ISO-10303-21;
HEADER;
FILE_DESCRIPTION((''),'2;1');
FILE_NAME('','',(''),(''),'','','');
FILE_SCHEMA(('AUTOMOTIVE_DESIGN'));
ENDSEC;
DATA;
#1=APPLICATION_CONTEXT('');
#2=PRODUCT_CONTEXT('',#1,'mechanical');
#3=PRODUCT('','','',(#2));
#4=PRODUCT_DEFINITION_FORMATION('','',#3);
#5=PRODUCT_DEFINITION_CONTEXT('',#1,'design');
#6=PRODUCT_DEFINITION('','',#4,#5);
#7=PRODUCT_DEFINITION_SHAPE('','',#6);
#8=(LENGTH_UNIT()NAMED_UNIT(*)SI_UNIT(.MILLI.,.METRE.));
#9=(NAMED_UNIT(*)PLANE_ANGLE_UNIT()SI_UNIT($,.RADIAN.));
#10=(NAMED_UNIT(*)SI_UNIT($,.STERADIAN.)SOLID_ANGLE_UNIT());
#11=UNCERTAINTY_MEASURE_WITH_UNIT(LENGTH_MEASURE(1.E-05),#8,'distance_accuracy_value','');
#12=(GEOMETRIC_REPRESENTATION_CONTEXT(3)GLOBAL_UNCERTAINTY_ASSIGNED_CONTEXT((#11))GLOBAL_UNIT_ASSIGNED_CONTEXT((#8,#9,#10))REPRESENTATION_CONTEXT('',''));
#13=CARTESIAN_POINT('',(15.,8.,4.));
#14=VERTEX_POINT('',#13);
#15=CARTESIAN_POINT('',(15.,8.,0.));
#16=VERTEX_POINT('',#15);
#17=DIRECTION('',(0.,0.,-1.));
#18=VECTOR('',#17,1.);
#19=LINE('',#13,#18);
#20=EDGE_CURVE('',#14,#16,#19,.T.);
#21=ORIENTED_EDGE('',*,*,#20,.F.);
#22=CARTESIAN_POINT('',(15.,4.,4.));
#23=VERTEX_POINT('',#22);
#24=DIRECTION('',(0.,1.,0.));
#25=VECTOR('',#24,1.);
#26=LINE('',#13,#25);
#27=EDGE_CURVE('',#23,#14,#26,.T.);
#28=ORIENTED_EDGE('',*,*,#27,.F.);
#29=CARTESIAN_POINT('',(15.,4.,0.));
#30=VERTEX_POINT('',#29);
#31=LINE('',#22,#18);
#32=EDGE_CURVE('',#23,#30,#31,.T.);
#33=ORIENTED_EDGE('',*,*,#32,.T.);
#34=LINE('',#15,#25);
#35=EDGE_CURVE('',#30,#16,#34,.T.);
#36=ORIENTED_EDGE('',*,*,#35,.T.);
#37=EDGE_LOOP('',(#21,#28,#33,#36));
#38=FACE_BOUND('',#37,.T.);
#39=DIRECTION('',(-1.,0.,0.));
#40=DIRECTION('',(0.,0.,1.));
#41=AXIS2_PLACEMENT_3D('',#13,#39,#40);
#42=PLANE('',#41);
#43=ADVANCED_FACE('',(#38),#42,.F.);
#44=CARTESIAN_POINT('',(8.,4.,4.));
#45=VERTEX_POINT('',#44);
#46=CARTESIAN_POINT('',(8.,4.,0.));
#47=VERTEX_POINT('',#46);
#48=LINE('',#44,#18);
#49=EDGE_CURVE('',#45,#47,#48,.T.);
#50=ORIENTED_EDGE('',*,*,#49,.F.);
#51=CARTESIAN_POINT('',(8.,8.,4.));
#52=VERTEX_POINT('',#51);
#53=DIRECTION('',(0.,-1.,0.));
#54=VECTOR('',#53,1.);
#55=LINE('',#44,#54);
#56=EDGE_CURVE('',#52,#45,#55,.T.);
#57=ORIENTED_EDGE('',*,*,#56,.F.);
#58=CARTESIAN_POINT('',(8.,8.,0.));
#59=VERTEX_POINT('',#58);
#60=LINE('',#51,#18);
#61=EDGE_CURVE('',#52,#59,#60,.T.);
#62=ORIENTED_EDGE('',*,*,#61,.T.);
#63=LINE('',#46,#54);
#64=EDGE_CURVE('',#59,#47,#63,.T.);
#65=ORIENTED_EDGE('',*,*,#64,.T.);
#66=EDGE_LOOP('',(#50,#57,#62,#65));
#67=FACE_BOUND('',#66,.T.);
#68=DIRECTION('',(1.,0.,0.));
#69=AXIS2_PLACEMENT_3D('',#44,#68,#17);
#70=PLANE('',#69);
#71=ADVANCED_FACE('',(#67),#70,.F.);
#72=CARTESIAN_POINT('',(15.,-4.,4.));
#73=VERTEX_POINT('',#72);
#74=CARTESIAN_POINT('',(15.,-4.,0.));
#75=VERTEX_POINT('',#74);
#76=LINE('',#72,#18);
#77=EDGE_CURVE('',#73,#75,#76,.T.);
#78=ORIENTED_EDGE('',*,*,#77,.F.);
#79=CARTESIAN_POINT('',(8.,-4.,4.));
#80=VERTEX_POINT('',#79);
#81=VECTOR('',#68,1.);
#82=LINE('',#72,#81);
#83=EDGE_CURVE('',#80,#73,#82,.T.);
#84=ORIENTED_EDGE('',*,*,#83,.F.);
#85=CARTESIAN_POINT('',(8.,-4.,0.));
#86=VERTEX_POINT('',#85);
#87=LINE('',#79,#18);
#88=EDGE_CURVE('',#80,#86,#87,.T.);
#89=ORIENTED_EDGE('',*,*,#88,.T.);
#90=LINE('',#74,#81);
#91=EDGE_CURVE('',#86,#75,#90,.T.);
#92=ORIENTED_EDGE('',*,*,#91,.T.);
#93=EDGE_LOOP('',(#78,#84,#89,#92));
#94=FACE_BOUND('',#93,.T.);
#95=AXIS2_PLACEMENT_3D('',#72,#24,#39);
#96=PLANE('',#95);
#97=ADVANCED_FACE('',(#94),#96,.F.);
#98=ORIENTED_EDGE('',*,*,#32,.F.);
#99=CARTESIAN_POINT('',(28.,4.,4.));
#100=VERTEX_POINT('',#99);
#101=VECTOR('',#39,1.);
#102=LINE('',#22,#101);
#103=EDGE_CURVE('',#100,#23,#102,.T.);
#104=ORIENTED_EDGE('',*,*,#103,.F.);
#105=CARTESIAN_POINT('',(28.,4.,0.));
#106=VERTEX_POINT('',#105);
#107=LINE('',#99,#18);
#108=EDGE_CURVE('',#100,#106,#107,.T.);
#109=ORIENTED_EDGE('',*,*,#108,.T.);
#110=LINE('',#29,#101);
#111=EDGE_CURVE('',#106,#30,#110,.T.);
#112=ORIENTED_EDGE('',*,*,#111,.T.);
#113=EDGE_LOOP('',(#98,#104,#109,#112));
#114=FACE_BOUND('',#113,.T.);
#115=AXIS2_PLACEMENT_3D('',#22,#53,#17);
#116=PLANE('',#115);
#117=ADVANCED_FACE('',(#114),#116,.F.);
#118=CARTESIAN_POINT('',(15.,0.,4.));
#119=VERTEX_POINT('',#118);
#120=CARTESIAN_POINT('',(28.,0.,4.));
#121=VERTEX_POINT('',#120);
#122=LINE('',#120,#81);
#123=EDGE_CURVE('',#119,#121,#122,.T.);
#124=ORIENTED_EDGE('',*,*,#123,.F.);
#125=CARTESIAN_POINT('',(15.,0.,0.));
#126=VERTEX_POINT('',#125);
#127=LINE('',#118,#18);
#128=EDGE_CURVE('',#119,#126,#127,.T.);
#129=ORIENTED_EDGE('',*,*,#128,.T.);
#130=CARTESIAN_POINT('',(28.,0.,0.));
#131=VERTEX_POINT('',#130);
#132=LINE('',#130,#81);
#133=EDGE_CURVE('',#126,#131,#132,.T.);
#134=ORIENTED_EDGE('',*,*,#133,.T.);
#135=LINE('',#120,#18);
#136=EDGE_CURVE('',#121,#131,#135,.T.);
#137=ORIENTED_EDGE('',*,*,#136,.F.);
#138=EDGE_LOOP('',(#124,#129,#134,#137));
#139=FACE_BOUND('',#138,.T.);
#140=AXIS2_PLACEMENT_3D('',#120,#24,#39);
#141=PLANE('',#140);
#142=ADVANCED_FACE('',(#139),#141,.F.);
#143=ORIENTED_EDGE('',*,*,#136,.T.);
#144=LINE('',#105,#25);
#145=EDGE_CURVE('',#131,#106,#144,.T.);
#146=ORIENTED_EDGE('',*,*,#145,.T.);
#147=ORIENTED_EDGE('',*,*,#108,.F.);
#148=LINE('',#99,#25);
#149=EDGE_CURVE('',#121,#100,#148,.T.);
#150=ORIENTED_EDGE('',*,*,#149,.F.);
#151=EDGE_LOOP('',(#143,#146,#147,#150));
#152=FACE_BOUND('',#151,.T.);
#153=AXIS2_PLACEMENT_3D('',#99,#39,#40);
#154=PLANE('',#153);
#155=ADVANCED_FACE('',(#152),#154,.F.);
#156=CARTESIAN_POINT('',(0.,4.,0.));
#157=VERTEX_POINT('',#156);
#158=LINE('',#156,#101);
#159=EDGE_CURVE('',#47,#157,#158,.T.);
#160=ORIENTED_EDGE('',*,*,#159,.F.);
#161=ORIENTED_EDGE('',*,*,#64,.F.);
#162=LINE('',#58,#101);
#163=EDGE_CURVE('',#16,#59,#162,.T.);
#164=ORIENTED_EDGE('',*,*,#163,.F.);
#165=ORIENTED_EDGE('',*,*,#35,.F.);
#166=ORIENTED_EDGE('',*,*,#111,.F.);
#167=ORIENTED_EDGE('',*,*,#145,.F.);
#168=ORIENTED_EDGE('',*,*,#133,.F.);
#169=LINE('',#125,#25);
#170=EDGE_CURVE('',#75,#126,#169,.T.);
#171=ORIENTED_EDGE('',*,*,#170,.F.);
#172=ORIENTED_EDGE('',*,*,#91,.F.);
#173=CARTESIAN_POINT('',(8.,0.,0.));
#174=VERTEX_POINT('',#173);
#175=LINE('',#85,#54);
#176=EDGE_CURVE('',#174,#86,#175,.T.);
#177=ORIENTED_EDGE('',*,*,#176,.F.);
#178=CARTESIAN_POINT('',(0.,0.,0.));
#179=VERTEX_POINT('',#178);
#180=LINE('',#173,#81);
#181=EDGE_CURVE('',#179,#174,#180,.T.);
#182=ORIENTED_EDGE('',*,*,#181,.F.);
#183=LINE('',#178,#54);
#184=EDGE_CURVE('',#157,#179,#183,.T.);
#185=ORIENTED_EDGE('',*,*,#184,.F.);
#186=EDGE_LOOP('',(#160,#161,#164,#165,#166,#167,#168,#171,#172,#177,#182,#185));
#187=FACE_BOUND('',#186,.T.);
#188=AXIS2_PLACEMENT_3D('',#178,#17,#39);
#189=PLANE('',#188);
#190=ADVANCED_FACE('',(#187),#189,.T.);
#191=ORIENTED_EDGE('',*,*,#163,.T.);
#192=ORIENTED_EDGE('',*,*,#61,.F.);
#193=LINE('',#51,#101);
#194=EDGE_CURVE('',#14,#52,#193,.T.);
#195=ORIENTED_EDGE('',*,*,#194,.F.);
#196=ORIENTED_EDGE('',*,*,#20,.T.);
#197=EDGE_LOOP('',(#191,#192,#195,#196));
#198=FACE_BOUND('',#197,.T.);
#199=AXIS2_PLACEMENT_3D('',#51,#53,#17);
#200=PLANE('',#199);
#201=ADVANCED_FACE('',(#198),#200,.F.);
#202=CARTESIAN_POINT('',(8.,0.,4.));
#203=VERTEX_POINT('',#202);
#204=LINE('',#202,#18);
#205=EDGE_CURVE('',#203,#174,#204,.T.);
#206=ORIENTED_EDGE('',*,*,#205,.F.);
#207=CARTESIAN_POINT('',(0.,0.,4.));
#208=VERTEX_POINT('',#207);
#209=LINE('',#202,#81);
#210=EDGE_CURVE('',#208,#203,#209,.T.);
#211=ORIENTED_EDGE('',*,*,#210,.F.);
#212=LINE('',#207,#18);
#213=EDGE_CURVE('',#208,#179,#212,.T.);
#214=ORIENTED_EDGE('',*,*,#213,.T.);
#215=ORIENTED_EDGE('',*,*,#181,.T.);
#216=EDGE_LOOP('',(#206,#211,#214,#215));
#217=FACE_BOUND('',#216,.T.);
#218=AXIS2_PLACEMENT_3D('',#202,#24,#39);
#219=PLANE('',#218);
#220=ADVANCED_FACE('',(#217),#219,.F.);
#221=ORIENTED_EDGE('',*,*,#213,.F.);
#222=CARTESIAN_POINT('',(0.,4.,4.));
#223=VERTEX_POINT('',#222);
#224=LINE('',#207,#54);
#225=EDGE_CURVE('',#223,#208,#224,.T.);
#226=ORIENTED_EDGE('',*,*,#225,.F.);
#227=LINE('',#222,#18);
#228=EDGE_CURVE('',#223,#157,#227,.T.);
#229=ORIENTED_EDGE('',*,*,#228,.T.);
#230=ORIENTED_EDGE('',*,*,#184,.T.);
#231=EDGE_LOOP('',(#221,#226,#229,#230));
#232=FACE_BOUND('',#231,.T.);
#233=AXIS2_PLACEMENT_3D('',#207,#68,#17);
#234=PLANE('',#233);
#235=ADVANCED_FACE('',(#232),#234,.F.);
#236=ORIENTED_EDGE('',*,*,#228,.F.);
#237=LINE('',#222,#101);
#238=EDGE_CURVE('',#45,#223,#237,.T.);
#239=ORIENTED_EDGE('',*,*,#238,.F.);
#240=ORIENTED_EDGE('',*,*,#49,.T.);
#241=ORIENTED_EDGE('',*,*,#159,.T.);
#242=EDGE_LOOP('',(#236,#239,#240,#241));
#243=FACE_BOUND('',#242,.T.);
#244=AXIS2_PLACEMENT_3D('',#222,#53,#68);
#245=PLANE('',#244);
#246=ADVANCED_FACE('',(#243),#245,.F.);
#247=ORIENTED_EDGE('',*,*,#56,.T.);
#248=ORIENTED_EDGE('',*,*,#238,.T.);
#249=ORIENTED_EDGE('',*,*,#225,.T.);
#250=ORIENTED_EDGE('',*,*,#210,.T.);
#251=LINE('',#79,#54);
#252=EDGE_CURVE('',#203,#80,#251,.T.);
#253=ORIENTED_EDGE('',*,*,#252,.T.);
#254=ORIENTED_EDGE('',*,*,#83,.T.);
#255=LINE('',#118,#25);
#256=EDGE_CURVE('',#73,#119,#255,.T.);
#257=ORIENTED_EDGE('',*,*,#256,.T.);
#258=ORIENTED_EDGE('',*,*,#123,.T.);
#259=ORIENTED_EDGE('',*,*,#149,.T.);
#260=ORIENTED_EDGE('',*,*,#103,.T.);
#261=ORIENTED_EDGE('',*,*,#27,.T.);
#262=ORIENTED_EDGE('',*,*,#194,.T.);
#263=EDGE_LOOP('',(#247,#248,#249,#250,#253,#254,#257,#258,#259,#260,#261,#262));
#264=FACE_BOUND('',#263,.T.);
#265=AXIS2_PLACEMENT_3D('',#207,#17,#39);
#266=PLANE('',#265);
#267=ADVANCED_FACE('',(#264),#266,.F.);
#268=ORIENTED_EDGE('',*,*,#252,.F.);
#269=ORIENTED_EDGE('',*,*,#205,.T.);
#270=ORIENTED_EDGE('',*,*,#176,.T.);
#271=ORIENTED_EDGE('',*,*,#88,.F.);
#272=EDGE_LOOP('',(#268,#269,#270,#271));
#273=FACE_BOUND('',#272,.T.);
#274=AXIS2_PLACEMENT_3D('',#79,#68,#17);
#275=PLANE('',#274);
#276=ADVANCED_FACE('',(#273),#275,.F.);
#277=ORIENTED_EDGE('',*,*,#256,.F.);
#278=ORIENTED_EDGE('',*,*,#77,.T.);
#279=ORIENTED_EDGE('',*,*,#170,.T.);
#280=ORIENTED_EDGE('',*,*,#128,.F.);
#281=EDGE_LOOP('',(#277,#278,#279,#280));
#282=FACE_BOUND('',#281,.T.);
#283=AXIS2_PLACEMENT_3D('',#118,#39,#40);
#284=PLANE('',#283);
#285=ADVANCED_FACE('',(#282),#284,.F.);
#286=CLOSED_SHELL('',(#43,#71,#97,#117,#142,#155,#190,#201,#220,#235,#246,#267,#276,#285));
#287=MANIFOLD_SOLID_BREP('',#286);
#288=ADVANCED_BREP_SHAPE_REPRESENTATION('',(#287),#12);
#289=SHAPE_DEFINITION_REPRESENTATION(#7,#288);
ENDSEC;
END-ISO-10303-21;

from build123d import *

# Parameters (mm, degrees)
ESTRUSIONE_ESTRUSIONE1_DEPTH = 4


with BuildPart() as part:
    # Schizzo1 → Estrusione-Estrusione1 (new body)
    with BuildSketch(Plane.XY):
        Polygon((0, 0), (0, 4), (8, 4), (8, 8), (15, 8), (15, 4), (28, 4), (28, 0), (15, 0), (15, -4), (8, -4), (8, 0), align=None)
    extrude(amount=ESTRUSIONE_ESTRUSIONE1_DEPTH)


solid = part.part
